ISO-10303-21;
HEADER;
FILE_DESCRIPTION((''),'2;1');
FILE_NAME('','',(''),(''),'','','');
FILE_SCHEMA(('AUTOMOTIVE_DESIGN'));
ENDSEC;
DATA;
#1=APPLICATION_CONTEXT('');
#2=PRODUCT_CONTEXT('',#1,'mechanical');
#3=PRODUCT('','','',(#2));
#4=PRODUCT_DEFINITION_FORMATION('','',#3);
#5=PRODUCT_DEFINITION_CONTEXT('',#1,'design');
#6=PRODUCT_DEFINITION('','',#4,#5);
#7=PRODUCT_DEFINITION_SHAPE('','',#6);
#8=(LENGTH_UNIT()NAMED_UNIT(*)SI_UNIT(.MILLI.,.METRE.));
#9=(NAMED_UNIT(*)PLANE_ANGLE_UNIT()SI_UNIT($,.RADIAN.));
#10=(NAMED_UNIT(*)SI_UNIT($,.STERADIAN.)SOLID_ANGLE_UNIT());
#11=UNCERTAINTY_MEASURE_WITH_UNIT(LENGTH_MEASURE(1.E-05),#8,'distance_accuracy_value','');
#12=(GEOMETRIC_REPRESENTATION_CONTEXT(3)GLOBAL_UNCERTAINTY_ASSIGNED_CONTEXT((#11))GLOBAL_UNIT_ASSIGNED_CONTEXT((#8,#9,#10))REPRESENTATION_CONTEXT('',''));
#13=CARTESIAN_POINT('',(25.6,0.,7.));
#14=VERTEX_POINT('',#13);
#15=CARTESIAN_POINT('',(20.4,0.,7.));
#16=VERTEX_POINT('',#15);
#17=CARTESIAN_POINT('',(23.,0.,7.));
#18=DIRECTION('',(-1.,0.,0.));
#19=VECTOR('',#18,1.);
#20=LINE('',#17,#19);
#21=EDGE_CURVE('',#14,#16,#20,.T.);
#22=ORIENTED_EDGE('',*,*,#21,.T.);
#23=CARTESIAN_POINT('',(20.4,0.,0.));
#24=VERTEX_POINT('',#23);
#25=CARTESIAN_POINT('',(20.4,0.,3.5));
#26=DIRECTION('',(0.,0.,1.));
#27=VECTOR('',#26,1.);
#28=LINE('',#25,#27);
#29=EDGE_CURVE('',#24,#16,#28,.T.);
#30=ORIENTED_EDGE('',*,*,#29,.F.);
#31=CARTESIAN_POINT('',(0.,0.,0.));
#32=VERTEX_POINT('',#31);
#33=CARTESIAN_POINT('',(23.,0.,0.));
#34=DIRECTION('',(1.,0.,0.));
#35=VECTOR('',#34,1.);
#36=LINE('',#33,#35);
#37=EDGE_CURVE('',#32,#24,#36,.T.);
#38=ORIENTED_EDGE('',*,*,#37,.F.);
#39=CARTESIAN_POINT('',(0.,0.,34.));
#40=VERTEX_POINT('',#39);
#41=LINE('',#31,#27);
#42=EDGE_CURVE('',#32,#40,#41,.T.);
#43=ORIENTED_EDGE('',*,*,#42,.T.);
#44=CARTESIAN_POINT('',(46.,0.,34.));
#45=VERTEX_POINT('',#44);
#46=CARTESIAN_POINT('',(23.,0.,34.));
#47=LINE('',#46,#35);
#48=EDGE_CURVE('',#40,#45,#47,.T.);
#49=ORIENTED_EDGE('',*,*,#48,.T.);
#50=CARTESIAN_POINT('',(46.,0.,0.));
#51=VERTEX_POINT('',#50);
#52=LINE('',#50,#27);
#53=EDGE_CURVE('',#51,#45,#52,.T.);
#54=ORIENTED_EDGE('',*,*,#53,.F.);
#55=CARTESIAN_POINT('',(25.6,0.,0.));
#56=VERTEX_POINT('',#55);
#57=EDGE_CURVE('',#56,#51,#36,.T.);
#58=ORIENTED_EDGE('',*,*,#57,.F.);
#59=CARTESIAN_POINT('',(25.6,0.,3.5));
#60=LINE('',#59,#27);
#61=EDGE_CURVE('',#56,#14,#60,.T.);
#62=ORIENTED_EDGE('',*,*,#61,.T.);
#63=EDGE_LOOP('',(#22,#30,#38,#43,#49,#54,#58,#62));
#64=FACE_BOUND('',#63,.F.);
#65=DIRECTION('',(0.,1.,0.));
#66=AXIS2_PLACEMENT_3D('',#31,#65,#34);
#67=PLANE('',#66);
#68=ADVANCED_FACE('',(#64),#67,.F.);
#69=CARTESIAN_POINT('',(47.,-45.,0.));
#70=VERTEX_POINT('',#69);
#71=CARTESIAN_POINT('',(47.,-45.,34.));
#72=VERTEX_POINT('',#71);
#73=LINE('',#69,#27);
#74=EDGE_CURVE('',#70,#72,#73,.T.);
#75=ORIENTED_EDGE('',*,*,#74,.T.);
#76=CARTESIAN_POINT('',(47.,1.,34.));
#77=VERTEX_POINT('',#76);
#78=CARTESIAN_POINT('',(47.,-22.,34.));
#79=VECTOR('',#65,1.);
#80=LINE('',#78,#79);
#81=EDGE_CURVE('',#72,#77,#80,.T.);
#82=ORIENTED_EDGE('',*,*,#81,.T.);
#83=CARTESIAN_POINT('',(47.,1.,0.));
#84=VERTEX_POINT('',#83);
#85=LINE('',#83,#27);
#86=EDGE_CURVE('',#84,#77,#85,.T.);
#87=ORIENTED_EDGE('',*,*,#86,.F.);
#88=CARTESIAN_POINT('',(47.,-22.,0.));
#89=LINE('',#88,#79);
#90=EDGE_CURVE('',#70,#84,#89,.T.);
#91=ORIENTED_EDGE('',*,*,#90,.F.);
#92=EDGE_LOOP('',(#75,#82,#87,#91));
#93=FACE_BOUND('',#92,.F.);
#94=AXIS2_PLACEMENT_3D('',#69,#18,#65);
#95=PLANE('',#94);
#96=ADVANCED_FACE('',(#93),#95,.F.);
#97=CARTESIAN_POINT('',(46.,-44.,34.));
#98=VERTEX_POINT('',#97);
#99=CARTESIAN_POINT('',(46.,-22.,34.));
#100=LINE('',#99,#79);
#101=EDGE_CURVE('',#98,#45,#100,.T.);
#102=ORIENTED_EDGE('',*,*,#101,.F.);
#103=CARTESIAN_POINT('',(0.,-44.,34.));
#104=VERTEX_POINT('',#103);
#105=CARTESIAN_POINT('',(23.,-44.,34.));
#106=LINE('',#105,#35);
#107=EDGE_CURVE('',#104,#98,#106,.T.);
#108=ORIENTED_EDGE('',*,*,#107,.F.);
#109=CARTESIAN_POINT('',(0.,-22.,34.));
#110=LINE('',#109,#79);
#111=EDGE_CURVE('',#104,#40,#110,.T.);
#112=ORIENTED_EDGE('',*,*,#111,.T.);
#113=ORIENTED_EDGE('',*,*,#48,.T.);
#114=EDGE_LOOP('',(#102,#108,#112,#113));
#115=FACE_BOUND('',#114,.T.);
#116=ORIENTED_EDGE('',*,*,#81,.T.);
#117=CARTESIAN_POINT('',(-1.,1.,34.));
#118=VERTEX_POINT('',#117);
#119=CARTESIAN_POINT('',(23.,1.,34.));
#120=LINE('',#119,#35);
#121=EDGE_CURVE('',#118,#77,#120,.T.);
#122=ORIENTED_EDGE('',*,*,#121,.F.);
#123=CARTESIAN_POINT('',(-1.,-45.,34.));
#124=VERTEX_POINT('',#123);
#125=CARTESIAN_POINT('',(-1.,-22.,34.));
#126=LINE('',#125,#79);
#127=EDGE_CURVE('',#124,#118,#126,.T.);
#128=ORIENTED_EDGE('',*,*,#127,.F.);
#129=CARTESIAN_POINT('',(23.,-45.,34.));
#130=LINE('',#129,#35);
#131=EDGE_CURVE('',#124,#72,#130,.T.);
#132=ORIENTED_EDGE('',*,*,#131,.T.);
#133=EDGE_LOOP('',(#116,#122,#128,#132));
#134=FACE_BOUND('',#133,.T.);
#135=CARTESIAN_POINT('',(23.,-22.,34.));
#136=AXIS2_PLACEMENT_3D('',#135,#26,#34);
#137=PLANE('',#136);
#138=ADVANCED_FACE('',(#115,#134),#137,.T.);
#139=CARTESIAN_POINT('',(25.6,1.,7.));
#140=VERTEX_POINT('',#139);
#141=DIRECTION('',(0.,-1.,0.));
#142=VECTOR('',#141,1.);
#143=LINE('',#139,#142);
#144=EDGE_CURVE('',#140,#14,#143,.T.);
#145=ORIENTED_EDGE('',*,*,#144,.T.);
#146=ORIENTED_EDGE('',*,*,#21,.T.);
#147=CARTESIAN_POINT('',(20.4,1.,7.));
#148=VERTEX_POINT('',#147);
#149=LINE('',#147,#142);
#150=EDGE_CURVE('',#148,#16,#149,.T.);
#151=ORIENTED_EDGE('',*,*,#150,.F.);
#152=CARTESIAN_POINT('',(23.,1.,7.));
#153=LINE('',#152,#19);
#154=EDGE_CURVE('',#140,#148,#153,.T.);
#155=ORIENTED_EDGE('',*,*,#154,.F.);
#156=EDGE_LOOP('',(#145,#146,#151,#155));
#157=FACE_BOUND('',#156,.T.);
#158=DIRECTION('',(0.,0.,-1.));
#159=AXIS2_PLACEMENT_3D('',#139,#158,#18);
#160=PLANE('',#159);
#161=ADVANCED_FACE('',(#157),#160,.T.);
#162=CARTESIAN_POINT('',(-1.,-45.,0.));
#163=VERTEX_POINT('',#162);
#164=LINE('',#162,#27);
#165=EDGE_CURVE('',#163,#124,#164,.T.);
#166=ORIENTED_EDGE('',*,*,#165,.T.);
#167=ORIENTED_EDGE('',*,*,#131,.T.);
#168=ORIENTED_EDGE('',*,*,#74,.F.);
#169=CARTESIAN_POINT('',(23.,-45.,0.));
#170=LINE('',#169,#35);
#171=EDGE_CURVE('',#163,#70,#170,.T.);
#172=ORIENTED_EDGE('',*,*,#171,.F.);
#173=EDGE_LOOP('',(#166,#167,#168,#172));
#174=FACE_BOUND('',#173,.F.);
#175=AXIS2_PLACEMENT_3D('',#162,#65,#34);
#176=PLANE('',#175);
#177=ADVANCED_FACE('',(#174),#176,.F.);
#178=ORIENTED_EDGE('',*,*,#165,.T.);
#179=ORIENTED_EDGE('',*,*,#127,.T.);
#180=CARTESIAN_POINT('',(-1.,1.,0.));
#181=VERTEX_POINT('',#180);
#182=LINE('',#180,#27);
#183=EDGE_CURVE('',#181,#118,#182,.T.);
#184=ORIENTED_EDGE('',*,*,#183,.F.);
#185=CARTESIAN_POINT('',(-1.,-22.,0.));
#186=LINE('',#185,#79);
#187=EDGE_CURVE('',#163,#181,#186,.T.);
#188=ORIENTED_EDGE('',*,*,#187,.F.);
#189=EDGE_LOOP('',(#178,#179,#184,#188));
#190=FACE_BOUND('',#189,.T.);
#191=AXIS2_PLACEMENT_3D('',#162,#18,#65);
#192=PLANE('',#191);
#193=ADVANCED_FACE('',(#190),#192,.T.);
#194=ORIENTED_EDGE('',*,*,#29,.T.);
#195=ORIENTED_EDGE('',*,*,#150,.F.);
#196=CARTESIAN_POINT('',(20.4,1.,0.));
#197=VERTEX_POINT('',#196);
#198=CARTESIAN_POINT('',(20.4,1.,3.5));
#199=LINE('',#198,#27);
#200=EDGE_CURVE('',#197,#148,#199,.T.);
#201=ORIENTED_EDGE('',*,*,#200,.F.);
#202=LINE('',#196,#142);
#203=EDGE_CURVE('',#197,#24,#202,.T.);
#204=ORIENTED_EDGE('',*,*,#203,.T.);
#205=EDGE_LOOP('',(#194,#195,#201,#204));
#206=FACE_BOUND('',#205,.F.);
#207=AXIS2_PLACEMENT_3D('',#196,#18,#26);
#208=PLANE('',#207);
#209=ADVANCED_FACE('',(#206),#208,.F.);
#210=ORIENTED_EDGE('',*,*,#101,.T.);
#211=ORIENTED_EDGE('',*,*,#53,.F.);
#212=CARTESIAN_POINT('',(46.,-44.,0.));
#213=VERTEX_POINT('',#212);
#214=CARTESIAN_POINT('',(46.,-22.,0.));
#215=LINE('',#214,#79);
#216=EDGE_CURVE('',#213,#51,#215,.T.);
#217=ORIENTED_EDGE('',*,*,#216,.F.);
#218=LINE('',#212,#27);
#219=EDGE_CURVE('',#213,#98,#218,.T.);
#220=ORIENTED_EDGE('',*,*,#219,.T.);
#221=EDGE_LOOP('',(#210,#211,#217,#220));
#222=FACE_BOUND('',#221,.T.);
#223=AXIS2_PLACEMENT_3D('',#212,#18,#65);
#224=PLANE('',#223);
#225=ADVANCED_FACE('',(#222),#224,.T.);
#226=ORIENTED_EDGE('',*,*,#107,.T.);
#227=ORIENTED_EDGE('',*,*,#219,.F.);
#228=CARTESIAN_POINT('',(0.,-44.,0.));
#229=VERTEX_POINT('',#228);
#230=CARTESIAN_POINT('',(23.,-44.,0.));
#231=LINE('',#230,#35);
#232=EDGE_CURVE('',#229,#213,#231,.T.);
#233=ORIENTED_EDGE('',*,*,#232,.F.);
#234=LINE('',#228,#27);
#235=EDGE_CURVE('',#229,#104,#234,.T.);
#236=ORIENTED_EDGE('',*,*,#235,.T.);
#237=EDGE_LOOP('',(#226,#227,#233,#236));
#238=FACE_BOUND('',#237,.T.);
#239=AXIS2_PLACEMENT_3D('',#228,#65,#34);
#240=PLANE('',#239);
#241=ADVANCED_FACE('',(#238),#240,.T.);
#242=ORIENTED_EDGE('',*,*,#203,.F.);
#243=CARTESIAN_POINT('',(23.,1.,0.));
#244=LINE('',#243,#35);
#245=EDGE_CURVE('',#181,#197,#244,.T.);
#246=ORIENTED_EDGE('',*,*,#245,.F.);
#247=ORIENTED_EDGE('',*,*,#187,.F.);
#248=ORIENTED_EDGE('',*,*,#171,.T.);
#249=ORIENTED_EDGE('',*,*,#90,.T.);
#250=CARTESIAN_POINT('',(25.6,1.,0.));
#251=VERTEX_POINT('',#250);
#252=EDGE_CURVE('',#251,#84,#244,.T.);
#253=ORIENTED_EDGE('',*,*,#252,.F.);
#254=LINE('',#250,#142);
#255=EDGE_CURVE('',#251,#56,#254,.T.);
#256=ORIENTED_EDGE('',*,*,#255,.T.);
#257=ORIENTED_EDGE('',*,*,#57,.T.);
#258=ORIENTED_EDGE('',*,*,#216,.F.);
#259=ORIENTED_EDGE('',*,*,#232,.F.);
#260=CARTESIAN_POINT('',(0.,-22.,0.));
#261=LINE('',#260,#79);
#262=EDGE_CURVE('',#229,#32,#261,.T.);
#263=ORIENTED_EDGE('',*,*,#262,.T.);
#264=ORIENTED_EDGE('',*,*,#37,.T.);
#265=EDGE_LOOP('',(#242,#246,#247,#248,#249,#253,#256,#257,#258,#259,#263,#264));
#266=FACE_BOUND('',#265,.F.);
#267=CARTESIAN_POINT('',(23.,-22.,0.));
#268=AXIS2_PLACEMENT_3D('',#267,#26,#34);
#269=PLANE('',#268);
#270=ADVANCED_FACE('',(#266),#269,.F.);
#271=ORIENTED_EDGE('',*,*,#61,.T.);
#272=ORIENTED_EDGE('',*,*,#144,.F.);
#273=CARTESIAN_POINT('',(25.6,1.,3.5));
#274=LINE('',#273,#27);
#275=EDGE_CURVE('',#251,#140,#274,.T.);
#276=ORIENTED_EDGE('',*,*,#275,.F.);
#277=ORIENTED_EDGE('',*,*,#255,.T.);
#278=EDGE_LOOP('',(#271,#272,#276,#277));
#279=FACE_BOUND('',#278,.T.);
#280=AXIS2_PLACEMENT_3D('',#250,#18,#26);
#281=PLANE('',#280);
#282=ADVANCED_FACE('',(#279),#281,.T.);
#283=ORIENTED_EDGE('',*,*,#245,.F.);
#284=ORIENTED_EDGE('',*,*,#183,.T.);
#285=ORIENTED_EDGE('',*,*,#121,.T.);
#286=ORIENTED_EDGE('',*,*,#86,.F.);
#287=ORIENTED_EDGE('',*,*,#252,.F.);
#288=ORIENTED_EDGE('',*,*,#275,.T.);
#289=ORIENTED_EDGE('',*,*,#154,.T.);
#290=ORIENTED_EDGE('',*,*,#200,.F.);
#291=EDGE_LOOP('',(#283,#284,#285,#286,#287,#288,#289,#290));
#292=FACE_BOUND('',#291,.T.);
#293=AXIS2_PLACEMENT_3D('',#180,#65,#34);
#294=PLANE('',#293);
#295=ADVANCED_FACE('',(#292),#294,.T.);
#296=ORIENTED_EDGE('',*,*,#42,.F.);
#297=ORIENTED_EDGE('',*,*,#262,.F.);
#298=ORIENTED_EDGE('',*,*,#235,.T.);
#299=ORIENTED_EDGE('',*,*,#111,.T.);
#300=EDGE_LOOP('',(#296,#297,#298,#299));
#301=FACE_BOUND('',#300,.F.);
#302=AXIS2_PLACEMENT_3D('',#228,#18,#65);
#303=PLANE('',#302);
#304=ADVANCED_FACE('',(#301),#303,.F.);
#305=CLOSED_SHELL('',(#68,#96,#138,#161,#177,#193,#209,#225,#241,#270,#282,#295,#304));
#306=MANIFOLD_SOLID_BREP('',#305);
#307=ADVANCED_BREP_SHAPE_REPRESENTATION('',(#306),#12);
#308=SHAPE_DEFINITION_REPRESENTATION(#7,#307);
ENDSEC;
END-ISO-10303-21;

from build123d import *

# Parameters (mm, degrees)
SKETCH_W     = 48
SKETCH_H     = 46
SKETCH_W_2   = 46
SKETCH_H_2   = 44
PAD_DEPTH    = 34
SKETCH001_W  = 5.2
SKETCH001_H  = 7
POCKET_DEPTH = 1


with BuildPart() as part:
    # Sketch → Pad (new body)
    with BuildSketch(Plane.XY):
        with Locations((23, -22)):
            Rectangle(SKETCH_W, SKETCH_H)
        with Locations((23, -22)):
            Rectangle(SKETCH_W_2, SKETCH_H_2, mode=Mode.SUBTRACT)
    extrude(amount=PAD_DEPTH)

    # Sketch001 → Pocket (cut)
    with BuildSketch(Plane(origin=(0, 1, 0), x_dir=(-1, 0, 0), z_dir=(0, 1, 0))):
        with Locations((-23, 3.5)):
            Rectangle(SKETCH001_W, SKETCH001_H)
    extrude(amount=-POCKET_DEPTH, mode=Mode.SUBTRACT)


solid = part.part
